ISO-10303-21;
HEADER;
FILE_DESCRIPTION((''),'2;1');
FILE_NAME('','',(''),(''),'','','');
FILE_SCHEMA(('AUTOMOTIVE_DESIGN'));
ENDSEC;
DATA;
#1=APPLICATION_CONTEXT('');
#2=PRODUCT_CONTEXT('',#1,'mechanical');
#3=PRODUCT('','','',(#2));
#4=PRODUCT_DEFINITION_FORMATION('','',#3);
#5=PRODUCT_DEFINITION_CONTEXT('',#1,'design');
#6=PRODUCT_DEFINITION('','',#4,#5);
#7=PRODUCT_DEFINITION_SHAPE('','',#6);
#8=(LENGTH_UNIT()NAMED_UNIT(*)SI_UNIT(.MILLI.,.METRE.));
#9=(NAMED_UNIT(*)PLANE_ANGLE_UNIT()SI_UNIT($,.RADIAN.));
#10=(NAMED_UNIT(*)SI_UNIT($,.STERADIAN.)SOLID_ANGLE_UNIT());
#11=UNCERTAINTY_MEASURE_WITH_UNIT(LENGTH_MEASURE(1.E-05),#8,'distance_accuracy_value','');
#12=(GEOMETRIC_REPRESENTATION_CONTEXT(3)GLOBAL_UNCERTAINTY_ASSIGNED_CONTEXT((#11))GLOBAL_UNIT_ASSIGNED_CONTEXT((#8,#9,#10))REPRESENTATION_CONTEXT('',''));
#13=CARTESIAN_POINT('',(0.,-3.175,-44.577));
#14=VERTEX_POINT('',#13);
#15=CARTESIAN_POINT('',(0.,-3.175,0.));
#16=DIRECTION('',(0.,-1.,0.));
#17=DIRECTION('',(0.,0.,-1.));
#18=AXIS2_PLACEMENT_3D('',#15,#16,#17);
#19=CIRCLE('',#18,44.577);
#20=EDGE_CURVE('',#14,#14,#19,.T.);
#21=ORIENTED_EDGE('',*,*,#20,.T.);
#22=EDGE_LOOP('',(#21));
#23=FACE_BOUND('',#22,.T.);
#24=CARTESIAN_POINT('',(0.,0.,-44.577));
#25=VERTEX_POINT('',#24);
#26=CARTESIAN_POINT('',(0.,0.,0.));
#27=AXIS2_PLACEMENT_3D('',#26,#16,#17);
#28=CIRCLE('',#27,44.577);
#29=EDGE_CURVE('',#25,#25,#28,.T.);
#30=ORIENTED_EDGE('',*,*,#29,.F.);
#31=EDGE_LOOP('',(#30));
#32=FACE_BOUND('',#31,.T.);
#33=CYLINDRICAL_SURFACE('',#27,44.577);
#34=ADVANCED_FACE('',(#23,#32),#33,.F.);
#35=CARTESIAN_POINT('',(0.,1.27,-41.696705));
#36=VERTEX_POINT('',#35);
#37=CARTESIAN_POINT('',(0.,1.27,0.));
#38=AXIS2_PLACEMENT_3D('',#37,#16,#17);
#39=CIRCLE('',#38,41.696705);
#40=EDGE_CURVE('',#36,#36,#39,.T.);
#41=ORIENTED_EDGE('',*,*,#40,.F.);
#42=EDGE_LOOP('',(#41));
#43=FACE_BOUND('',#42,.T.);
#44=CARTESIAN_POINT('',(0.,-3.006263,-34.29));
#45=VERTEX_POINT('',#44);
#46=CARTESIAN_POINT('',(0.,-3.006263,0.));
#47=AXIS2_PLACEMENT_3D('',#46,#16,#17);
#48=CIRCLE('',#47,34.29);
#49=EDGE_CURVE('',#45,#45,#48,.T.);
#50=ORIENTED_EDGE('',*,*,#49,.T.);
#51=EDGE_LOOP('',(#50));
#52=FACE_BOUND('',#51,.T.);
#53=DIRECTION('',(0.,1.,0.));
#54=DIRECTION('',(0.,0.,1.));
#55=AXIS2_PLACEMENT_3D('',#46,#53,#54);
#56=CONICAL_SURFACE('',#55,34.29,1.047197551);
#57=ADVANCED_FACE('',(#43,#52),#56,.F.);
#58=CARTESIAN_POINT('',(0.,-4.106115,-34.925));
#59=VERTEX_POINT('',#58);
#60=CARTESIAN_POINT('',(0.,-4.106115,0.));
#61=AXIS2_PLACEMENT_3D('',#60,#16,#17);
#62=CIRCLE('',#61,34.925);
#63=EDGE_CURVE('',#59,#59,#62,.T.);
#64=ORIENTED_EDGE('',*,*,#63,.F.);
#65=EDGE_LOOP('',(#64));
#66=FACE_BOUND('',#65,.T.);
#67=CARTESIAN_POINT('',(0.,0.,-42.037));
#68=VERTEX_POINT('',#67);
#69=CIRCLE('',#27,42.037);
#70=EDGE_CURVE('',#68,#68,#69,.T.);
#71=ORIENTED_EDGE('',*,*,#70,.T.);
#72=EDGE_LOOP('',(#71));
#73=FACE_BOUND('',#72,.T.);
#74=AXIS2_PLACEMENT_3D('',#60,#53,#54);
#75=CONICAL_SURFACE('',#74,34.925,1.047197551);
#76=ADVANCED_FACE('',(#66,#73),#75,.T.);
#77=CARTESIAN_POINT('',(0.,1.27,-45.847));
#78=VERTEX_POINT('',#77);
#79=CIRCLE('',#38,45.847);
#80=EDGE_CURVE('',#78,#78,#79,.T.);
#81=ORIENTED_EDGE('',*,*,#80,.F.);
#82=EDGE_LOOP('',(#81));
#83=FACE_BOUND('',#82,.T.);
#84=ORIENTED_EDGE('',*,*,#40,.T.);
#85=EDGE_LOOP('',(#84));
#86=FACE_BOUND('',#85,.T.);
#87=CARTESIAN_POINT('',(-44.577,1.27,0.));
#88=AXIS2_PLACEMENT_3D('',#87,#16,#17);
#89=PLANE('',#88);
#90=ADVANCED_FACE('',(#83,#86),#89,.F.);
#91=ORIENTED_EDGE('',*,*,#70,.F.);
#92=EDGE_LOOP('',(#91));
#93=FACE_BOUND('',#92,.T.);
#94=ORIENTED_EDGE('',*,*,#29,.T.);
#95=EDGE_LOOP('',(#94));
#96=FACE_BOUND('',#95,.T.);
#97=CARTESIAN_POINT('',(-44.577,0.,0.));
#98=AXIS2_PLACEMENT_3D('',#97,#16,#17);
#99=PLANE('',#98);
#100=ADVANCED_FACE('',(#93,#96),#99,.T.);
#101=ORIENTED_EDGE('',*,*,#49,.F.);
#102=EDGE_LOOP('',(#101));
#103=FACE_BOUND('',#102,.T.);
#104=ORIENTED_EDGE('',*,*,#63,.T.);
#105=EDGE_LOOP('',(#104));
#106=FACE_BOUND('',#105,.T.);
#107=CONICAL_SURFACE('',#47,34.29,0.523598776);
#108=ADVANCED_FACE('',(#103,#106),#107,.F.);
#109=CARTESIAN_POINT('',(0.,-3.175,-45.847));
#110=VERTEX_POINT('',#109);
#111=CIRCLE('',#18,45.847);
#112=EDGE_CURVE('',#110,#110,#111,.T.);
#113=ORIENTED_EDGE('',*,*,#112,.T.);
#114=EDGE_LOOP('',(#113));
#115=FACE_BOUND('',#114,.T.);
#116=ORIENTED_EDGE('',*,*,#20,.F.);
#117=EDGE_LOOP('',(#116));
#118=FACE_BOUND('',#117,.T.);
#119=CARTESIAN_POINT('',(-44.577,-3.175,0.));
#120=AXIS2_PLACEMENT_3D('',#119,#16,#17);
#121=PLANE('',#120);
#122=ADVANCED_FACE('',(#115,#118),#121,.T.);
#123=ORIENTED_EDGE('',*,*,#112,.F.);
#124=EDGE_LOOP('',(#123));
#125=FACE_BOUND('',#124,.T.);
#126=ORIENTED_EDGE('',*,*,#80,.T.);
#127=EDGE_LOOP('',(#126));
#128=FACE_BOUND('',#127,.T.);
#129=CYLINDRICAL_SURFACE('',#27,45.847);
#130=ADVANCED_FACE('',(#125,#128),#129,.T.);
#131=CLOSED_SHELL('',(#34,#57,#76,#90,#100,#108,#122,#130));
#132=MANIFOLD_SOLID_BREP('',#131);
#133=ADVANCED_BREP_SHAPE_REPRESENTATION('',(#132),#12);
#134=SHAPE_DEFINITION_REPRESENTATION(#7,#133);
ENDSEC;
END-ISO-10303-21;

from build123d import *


with BuildPart() as part:
    # Sketch1 → Revolve-Thin1 (revolve)
    with BuildSketch(Plane.XY, mode=Mode.PRIVATE) as revolve_thin1_sk:
        Polygon((-34.925, -4.106115114), (-42.037, 0), (-44.577, 0), (-44.577, -3.175), (-45.847, -3.175), (-45.847, 1.27), (-41.696704526, 1.27), (-34.29, -3.006262852), align=None)
    revolve(revolve_thin1_sk.sketch.rotate(Axis((0, 0, 0), (0, 1, 0)), 270), axis=Axis((0, 0, 0), (0, 1, 0)))


solid = part.part
